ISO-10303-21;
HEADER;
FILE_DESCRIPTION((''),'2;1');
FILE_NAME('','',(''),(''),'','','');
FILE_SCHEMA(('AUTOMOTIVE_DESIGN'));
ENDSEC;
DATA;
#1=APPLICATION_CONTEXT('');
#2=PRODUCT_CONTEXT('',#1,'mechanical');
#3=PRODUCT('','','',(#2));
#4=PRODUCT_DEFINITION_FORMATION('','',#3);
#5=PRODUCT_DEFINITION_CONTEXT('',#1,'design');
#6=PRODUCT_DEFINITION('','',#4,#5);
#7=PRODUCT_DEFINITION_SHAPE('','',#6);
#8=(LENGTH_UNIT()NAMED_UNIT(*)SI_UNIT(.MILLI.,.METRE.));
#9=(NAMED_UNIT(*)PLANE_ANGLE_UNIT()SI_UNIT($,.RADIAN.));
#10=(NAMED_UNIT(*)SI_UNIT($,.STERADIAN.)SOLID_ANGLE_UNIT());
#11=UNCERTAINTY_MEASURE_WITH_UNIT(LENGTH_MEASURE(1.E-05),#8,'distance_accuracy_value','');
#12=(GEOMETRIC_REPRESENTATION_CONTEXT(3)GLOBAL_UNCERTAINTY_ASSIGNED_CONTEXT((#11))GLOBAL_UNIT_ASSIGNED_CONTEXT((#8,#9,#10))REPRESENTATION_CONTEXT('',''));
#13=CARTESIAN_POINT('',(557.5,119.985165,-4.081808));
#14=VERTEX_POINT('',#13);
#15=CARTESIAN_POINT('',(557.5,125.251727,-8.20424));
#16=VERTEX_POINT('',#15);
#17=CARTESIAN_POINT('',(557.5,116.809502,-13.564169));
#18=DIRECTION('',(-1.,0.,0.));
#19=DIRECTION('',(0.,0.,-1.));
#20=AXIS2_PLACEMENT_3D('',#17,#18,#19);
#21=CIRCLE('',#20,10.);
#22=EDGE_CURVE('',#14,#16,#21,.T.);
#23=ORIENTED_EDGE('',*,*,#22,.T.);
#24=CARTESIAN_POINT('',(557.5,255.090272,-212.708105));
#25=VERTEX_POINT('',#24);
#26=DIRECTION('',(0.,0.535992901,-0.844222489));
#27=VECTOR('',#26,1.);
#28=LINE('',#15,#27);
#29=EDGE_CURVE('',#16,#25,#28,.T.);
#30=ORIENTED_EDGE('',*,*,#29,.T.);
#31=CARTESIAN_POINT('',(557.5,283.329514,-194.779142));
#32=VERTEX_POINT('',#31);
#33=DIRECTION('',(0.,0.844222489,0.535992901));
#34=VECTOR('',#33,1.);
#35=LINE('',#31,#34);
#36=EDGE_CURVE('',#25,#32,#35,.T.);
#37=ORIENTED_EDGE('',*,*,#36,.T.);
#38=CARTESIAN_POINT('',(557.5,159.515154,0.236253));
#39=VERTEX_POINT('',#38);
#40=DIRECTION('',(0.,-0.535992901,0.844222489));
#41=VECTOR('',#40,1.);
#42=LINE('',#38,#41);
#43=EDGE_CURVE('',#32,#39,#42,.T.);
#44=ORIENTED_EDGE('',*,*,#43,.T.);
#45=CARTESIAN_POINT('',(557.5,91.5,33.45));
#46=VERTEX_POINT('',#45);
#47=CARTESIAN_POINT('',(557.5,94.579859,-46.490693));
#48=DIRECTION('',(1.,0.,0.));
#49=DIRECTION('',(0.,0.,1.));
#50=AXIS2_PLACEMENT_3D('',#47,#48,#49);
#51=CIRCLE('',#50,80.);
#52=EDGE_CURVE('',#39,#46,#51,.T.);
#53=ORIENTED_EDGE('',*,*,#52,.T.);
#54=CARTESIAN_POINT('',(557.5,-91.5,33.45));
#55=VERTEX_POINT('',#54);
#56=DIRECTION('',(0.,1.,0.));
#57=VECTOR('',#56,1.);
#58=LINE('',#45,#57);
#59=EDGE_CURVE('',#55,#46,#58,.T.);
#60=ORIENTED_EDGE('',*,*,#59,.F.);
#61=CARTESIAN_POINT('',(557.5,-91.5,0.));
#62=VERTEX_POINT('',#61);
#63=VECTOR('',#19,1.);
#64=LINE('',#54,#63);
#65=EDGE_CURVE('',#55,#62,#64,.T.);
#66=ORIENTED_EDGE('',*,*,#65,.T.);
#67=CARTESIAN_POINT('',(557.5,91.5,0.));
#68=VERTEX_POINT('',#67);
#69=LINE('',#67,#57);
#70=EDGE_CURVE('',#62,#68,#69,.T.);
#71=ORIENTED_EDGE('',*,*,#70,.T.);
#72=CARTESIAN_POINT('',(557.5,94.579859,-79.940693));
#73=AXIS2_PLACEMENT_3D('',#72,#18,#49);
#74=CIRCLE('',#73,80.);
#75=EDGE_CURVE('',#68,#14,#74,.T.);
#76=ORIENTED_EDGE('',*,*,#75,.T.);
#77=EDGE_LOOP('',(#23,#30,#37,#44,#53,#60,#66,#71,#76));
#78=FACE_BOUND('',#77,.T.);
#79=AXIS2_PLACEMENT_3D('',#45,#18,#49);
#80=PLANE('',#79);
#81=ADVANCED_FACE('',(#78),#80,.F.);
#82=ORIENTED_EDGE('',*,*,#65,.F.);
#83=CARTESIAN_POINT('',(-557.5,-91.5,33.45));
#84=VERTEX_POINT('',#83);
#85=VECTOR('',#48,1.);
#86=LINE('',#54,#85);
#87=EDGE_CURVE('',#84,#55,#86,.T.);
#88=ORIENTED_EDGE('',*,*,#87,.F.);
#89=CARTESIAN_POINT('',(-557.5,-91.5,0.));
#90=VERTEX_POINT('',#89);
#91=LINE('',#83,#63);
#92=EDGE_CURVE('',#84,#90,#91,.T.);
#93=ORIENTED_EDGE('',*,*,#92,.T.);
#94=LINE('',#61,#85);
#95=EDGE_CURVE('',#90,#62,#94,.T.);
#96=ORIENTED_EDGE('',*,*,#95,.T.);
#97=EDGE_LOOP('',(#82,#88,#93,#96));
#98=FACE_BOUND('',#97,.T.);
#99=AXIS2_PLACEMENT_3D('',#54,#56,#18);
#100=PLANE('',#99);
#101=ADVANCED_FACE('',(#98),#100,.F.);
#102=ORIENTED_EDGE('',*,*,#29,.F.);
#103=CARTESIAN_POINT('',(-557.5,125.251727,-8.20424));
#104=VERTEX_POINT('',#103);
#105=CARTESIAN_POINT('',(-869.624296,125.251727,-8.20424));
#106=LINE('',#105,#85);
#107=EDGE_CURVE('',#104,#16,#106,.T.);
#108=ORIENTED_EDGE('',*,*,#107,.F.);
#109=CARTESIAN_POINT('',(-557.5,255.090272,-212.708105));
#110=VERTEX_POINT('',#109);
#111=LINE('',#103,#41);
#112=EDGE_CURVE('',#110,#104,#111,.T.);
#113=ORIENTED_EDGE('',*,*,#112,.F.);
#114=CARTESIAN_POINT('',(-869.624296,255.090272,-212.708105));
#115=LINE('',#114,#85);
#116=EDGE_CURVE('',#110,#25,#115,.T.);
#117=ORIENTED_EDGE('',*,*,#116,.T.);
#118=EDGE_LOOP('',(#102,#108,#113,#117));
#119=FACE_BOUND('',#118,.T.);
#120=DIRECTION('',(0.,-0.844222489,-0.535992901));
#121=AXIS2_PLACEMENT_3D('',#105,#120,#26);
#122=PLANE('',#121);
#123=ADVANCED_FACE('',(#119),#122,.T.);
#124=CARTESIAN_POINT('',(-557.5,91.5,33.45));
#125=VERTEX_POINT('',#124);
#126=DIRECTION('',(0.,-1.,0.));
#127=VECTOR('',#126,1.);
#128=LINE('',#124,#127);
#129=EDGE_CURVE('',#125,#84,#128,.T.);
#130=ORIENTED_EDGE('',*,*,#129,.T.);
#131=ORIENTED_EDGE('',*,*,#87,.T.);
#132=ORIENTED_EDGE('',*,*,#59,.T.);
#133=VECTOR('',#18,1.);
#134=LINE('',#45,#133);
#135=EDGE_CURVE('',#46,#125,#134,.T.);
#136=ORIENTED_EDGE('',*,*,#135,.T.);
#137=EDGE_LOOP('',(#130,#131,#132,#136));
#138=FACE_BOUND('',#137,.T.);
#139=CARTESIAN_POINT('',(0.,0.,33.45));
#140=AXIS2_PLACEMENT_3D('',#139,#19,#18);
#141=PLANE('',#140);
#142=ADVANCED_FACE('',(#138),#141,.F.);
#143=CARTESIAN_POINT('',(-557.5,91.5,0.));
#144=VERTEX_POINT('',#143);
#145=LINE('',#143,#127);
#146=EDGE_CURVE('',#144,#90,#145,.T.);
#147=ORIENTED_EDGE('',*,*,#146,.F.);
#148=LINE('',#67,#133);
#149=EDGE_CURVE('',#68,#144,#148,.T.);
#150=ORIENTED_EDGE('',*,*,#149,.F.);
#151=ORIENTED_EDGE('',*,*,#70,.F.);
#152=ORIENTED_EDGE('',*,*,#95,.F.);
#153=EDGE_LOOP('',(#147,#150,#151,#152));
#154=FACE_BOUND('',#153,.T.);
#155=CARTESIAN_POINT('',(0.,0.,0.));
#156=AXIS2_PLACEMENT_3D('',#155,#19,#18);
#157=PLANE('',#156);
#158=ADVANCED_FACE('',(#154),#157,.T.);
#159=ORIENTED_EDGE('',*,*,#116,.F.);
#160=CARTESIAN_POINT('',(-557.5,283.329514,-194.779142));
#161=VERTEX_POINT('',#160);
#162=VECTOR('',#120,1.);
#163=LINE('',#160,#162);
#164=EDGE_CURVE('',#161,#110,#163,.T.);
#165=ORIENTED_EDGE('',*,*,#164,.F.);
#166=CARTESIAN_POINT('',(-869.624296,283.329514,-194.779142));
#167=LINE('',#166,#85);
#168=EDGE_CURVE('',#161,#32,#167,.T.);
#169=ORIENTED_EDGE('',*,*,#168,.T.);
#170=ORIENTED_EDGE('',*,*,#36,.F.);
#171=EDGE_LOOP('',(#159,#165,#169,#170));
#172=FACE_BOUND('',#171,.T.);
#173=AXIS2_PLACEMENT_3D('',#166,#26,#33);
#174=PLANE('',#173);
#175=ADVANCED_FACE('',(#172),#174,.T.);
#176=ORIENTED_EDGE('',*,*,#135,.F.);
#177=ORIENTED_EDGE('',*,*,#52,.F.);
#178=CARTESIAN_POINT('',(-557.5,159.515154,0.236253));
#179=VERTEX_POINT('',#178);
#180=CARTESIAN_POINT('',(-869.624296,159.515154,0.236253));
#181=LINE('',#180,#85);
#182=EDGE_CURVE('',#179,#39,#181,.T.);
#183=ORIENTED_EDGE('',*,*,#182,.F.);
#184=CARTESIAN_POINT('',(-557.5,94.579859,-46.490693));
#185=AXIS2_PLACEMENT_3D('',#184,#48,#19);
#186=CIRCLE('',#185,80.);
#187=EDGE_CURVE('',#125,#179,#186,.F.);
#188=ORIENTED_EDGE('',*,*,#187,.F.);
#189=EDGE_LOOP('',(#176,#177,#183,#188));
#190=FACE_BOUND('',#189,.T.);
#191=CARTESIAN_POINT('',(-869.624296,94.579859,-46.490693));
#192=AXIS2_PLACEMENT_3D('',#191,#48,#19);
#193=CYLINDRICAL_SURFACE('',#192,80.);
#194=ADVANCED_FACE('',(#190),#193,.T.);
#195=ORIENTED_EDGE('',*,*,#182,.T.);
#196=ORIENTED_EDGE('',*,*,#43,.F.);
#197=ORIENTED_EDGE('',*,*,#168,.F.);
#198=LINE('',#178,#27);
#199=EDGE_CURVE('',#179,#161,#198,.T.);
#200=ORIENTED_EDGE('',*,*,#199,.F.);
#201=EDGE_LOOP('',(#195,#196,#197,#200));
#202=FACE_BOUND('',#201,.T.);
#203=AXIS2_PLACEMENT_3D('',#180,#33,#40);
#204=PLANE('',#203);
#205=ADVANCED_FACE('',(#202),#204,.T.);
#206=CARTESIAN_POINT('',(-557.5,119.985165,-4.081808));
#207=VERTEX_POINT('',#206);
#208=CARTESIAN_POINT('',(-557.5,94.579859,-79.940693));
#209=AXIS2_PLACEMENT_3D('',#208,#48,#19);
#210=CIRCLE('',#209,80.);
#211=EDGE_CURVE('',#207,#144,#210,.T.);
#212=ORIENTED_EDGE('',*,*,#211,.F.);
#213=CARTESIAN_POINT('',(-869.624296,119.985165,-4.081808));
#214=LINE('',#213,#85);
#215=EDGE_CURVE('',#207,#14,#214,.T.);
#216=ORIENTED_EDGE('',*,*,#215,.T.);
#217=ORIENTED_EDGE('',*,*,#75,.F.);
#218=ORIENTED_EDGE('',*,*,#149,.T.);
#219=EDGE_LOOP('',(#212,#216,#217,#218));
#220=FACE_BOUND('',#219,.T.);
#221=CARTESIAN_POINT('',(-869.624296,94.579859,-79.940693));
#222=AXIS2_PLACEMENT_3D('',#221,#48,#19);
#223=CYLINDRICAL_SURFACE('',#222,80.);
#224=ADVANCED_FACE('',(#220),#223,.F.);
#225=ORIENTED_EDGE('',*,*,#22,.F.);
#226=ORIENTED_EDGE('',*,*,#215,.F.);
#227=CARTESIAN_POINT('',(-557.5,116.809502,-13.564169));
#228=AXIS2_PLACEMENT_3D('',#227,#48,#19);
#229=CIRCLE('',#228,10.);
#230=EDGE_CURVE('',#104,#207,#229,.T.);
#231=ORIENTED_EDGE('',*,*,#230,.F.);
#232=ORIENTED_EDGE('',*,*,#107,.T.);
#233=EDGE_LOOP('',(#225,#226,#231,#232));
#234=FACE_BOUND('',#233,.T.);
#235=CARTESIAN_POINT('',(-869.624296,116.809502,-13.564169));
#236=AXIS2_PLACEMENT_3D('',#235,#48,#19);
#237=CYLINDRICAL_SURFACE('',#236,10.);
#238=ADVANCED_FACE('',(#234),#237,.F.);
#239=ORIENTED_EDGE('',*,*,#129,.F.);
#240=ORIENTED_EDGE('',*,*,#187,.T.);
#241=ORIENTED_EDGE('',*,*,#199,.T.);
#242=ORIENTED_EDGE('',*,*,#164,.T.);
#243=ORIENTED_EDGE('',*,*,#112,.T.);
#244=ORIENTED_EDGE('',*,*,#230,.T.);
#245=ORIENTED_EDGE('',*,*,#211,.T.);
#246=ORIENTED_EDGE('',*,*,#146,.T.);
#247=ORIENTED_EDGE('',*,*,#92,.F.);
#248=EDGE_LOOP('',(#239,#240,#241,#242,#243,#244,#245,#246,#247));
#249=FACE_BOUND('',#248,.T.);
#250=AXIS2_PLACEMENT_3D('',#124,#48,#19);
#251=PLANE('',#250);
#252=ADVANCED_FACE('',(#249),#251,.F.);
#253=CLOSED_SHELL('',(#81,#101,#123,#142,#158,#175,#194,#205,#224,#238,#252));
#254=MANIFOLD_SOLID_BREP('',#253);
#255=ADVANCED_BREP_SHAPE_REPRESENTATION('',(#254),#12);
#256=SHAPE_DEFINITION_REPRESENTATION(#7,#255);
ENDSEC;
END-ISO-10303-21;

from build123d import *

# Parameters (mm, degrees)
SKETCH1_W           = 1115
SKETCH1_H           = 183
BOSS_EXTRUDE1_DEPTH = 33.45
BOSS_EXTRUDE2_DEPTH = 1115


with BuildPart() as part:
    # Sketch1 → Boss-Extrude1 (new body)
    with BuildSketch(Plane.XY):
        Rectangle(SKETCH1_W, SKETCH1_H)
    extrude(amount=BOSS_EXTRUDE1_DEPTH)

    # Sketch2 → Boss-Extrude2 (add)
    with BuildSketch(Plane(origin=(557.5, 0, 0), x_dir=(0, 0, -1), z_dir=(1, 0, 0))):
        with BuildLine():
            Line((-0.236252667, 159.515154012), (194.779142231, 283.329514055))
            Line((194.779142231, 283.329514055), (212.708104756, 255.090271807))
            Line((212.708104756, 255.090271807), (8.204240057, 125.251726766))
            ThreePointArc((8.204240057, 125.251726766), (5.689681252, 122.973302793), (4.081808438, 119.985165113))
            ThreePointArc((4.081808438, 119.985165113), (0.749606072, 105.927620335), (0, 91.5))
            Line((0, 91.5), (-33.45, 91.5))
            ThreePointArc((-33.45, 91.5), (-25.395939678, 129.684160674), (-0.236252667, 159.515154012))
        make_face()
    extrude(amount=-BOSS_EXTRUDE2_DEPTH)


solid = part.part
